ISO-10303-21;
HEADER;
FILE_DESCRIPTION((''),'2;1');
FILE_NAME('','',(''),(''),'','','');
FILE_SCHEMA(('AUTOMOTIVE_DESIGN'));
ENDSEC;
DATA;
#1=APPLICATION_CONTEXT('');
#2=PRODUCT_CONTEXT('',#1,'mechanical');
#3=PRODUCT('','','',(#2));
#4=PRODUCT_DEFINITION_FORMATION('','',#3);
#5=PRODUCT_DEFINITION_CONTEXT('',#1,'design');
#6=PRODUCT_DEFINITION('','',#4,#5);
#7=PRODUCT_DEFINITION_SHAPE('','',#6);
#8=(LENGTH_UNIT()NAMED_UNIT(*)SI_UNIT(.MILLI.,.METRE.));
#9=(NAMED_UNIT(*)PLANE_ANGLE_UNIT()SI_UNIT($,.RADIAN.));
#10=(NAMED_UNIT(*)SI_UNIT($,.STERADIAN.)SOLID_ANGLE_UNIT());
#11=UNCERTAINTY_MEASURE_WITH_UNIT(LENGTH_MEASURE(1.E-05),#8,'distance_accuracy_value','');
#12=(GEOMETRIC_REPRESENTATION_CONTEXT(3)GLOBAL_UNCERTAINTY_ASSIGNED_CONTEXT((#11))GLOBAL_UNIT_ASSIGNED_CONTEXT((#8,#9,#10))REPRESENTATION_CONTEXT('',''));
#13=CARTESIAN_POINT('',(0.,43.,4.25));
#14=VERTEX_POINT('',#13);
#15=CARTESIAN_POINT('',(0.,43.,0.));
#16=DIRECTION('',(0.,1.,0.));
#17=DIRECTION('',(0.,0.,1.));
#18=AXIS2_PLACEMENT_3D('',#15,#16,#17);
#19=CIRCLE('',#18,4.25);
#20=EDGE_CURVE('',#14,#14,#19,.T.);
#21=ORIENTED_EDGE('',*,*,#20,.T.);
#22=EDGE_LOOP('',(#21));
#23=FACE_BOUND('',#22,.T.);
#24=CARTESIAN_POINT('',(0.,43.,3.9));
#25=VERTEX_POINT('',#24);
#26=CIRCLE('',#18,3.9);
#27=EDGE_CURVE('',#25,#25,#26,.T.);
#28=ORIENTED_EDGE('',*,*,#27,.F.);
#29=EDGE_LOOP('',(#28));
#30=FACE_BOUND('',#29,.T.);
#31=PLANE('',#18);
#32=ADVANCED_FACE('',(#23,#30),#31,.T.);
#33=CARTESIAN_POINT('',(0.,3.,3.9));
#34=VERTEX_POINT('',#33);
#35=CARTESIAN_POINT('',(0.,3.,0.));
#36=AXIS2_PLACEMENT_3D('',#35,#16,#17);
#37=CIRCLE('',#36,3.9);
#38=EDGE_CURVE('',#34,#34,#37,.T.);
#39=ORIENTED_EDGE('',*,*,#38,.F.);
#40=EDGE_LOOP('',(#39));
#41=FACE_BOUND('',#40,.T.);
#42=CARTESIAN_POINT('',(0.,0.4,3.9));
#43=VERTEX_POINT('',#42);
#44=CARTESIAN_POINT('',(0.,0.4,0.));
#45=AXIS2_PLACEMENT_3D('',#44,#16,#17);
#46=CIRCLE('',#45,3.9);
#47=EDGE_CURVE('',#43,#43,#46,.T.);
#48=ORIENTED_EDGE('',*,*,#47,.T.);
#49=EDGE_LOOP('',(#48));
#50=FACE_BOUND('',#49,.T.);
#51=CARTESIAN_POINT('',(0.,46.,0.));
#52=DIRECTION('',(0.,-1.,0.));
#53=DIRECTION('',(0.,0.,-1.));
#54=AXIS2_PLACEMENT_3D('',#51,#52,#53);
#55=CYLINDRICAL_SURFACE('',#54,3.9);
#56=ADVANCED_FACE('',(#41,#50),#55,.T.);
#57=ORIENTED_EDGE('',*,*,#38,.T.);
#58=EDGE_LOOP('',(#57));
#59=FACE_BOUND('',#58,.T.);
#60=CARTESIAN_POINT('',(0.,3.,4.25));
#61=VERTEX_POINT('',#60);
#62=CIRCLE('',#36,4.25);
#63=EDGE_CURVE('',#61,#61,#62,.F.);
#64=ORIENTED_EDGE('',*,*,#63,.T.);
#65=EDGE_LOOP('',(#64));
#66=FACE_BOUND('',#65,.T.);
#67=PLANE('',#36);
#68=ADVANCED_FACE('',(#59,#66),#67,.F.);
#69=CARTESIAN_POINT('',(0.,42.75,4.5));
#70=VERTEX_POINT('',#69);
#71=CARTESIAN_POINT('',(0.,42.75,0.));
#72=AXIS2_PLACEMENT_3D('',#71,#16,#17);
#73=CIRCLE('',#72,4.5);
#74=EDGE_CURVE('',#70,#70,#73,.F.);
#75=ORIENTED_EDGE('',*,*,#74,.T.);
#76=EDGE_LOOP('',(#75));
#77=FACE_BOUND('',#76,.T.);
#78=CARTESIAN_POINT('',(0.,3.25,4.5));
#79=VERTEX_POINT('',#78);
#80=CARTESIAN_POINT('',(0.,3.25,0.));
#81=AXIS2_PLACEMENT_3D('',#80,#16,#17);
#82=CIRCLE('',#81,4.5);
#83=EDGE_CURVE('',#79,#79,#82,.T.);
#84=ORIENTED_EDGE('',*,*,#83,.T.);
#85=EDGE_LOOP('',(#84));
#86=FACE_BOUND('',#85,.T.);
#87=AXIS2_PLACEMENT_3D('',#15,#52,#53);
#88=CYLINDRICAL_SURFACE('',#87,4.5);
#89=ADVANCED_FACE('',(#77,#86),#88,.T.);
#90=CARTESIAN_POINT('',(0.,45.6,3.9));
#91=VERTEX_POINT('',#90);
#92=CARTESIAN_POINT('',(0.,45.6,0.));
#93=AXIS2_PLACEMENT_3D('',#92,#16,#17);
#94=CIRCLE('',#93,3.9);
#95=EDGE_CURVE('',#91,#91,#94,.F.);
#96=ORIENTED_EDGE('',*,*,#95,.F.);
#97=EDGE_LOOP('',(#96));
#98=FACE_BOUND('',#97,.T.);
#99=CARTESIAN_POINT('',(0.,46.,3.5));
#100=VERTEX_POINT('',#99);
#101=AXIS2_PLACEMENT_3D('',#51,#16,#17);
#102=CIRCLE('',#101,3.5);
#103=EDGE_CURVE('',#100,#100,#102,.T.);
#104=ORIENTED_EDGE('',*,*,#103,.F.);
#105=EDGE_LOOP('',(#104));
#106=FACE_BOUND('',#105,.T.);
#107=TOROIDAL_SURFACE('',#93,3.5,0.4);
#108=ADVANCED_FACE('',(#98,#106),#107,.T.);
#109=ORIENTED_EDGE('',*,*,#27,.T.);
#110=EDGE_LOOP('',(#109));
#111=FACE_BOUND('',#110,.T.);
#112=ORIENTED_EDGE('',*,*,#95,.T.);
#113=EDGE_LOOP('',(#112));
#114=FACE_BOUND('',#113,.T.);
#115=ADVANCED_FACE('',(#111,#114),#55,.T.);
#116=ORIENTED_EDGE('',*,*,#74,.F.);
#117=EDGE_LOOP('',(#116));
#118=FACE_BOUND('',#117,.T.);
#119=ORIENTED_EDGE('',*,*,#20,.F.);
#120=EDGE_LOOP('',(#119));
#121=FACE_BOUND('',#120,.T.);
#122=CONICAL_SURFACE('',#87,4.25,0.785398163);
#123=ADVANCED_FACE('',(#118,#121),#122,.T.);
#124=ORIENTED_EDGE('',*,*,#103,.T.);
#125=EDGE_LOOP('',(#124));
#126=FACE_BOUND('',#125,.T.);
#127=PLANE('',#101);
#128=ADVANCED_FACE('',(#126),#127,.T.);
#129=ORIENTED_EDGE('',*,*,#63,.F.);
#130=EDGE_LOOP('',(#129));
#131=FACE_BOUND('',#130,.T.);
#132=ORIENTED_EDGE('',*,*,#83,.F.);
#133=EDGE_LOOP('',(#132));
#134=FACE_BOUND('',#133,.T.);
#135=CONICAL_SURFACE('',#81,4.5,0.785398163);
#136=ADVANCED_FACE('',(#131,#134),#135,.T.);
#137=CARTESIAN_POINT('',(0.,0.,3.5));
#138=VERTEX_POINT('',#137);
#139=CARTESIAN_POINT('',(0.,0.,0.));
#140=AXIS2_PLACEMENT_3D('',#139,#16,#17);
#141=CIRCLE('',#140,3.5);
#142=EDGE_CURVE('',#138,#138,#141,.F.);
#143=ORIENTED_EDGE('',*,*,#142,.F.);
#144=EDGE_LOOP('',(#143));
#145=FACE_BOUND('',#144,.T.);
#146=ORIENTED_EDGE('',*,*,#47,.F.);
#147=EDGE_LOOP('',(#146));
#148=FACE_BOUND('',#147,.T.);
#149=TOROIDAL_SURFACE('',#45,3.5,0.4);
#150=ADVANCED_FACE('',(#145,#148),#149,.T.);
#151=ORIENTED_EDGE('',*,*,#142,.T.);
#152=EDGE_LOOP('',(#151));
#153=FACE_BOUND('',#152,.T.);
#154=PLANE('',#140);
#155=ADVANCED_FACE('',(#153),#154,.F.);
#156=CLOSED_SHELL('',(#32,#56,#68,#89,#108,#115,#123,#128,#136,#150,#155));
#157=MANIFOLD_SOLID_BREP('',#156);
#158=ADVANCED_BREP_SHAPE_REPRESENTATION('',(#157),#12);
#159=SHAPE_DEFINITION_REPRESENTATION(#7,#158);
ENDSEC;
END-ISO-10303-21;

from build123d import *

# Parameters (mm, degrees)
SKETCH1_R           = 3.9
BOSS_EXTRUDE1_DEPTH = 46
FILLET5_R           = 0.4
SKETCH2_R           = 4.5
BOSS_EXTRUDE2_DEPTH = 20
CHAMFER1_SIZE       = 0.25


with BuildPart() as part:
    # Sketch1 → Boss-Extrude1 (new body)
    with BuildSketch(Plane(origin=(0, 0, 0), x_dir=(1, 0, 0), z_dir=(0, 1, 0))):
        with Locations(Location((0, 0, 0), (0, 0, 270))):
            Circle(SKETCH1_R)
    extrude(amount=BOSS_EXTRUDE1_DEPTH)

    # Fillet5
    fillet5_edges = [part.edges().sort_by_distance(p)[0] for p in [
        (0, 0, -3.9),
        (0, 46, -3.9),
    ]]
    fillet(fillet5_edges, radius=FILLET5_R)

    # Sketch2 → Boss-Extrude2 (add, symmetric)
    with BuildSketch(Plane(origin=(0, 23, 0), x_dir=(1, 0, 0), z_dir=(0, 1, 0))):
        with Locations(Location((0, 0, 0), (0, 0, 270))):
            Circle(SKETCH2_R)
    extrude(amount=BOSS_EXTRUDE2_DEPTH, both=True)

    # Chamfer1
    chamfer1_edges = [part.edges().sort_by_distance(p)[0] for p in [
        (0, 3, -4.5),
        (0, 43, -4.5),
    ]]
    chamfer(chamfer1_edges, length=CHAMFER1_SIZE)


solid = part.part
